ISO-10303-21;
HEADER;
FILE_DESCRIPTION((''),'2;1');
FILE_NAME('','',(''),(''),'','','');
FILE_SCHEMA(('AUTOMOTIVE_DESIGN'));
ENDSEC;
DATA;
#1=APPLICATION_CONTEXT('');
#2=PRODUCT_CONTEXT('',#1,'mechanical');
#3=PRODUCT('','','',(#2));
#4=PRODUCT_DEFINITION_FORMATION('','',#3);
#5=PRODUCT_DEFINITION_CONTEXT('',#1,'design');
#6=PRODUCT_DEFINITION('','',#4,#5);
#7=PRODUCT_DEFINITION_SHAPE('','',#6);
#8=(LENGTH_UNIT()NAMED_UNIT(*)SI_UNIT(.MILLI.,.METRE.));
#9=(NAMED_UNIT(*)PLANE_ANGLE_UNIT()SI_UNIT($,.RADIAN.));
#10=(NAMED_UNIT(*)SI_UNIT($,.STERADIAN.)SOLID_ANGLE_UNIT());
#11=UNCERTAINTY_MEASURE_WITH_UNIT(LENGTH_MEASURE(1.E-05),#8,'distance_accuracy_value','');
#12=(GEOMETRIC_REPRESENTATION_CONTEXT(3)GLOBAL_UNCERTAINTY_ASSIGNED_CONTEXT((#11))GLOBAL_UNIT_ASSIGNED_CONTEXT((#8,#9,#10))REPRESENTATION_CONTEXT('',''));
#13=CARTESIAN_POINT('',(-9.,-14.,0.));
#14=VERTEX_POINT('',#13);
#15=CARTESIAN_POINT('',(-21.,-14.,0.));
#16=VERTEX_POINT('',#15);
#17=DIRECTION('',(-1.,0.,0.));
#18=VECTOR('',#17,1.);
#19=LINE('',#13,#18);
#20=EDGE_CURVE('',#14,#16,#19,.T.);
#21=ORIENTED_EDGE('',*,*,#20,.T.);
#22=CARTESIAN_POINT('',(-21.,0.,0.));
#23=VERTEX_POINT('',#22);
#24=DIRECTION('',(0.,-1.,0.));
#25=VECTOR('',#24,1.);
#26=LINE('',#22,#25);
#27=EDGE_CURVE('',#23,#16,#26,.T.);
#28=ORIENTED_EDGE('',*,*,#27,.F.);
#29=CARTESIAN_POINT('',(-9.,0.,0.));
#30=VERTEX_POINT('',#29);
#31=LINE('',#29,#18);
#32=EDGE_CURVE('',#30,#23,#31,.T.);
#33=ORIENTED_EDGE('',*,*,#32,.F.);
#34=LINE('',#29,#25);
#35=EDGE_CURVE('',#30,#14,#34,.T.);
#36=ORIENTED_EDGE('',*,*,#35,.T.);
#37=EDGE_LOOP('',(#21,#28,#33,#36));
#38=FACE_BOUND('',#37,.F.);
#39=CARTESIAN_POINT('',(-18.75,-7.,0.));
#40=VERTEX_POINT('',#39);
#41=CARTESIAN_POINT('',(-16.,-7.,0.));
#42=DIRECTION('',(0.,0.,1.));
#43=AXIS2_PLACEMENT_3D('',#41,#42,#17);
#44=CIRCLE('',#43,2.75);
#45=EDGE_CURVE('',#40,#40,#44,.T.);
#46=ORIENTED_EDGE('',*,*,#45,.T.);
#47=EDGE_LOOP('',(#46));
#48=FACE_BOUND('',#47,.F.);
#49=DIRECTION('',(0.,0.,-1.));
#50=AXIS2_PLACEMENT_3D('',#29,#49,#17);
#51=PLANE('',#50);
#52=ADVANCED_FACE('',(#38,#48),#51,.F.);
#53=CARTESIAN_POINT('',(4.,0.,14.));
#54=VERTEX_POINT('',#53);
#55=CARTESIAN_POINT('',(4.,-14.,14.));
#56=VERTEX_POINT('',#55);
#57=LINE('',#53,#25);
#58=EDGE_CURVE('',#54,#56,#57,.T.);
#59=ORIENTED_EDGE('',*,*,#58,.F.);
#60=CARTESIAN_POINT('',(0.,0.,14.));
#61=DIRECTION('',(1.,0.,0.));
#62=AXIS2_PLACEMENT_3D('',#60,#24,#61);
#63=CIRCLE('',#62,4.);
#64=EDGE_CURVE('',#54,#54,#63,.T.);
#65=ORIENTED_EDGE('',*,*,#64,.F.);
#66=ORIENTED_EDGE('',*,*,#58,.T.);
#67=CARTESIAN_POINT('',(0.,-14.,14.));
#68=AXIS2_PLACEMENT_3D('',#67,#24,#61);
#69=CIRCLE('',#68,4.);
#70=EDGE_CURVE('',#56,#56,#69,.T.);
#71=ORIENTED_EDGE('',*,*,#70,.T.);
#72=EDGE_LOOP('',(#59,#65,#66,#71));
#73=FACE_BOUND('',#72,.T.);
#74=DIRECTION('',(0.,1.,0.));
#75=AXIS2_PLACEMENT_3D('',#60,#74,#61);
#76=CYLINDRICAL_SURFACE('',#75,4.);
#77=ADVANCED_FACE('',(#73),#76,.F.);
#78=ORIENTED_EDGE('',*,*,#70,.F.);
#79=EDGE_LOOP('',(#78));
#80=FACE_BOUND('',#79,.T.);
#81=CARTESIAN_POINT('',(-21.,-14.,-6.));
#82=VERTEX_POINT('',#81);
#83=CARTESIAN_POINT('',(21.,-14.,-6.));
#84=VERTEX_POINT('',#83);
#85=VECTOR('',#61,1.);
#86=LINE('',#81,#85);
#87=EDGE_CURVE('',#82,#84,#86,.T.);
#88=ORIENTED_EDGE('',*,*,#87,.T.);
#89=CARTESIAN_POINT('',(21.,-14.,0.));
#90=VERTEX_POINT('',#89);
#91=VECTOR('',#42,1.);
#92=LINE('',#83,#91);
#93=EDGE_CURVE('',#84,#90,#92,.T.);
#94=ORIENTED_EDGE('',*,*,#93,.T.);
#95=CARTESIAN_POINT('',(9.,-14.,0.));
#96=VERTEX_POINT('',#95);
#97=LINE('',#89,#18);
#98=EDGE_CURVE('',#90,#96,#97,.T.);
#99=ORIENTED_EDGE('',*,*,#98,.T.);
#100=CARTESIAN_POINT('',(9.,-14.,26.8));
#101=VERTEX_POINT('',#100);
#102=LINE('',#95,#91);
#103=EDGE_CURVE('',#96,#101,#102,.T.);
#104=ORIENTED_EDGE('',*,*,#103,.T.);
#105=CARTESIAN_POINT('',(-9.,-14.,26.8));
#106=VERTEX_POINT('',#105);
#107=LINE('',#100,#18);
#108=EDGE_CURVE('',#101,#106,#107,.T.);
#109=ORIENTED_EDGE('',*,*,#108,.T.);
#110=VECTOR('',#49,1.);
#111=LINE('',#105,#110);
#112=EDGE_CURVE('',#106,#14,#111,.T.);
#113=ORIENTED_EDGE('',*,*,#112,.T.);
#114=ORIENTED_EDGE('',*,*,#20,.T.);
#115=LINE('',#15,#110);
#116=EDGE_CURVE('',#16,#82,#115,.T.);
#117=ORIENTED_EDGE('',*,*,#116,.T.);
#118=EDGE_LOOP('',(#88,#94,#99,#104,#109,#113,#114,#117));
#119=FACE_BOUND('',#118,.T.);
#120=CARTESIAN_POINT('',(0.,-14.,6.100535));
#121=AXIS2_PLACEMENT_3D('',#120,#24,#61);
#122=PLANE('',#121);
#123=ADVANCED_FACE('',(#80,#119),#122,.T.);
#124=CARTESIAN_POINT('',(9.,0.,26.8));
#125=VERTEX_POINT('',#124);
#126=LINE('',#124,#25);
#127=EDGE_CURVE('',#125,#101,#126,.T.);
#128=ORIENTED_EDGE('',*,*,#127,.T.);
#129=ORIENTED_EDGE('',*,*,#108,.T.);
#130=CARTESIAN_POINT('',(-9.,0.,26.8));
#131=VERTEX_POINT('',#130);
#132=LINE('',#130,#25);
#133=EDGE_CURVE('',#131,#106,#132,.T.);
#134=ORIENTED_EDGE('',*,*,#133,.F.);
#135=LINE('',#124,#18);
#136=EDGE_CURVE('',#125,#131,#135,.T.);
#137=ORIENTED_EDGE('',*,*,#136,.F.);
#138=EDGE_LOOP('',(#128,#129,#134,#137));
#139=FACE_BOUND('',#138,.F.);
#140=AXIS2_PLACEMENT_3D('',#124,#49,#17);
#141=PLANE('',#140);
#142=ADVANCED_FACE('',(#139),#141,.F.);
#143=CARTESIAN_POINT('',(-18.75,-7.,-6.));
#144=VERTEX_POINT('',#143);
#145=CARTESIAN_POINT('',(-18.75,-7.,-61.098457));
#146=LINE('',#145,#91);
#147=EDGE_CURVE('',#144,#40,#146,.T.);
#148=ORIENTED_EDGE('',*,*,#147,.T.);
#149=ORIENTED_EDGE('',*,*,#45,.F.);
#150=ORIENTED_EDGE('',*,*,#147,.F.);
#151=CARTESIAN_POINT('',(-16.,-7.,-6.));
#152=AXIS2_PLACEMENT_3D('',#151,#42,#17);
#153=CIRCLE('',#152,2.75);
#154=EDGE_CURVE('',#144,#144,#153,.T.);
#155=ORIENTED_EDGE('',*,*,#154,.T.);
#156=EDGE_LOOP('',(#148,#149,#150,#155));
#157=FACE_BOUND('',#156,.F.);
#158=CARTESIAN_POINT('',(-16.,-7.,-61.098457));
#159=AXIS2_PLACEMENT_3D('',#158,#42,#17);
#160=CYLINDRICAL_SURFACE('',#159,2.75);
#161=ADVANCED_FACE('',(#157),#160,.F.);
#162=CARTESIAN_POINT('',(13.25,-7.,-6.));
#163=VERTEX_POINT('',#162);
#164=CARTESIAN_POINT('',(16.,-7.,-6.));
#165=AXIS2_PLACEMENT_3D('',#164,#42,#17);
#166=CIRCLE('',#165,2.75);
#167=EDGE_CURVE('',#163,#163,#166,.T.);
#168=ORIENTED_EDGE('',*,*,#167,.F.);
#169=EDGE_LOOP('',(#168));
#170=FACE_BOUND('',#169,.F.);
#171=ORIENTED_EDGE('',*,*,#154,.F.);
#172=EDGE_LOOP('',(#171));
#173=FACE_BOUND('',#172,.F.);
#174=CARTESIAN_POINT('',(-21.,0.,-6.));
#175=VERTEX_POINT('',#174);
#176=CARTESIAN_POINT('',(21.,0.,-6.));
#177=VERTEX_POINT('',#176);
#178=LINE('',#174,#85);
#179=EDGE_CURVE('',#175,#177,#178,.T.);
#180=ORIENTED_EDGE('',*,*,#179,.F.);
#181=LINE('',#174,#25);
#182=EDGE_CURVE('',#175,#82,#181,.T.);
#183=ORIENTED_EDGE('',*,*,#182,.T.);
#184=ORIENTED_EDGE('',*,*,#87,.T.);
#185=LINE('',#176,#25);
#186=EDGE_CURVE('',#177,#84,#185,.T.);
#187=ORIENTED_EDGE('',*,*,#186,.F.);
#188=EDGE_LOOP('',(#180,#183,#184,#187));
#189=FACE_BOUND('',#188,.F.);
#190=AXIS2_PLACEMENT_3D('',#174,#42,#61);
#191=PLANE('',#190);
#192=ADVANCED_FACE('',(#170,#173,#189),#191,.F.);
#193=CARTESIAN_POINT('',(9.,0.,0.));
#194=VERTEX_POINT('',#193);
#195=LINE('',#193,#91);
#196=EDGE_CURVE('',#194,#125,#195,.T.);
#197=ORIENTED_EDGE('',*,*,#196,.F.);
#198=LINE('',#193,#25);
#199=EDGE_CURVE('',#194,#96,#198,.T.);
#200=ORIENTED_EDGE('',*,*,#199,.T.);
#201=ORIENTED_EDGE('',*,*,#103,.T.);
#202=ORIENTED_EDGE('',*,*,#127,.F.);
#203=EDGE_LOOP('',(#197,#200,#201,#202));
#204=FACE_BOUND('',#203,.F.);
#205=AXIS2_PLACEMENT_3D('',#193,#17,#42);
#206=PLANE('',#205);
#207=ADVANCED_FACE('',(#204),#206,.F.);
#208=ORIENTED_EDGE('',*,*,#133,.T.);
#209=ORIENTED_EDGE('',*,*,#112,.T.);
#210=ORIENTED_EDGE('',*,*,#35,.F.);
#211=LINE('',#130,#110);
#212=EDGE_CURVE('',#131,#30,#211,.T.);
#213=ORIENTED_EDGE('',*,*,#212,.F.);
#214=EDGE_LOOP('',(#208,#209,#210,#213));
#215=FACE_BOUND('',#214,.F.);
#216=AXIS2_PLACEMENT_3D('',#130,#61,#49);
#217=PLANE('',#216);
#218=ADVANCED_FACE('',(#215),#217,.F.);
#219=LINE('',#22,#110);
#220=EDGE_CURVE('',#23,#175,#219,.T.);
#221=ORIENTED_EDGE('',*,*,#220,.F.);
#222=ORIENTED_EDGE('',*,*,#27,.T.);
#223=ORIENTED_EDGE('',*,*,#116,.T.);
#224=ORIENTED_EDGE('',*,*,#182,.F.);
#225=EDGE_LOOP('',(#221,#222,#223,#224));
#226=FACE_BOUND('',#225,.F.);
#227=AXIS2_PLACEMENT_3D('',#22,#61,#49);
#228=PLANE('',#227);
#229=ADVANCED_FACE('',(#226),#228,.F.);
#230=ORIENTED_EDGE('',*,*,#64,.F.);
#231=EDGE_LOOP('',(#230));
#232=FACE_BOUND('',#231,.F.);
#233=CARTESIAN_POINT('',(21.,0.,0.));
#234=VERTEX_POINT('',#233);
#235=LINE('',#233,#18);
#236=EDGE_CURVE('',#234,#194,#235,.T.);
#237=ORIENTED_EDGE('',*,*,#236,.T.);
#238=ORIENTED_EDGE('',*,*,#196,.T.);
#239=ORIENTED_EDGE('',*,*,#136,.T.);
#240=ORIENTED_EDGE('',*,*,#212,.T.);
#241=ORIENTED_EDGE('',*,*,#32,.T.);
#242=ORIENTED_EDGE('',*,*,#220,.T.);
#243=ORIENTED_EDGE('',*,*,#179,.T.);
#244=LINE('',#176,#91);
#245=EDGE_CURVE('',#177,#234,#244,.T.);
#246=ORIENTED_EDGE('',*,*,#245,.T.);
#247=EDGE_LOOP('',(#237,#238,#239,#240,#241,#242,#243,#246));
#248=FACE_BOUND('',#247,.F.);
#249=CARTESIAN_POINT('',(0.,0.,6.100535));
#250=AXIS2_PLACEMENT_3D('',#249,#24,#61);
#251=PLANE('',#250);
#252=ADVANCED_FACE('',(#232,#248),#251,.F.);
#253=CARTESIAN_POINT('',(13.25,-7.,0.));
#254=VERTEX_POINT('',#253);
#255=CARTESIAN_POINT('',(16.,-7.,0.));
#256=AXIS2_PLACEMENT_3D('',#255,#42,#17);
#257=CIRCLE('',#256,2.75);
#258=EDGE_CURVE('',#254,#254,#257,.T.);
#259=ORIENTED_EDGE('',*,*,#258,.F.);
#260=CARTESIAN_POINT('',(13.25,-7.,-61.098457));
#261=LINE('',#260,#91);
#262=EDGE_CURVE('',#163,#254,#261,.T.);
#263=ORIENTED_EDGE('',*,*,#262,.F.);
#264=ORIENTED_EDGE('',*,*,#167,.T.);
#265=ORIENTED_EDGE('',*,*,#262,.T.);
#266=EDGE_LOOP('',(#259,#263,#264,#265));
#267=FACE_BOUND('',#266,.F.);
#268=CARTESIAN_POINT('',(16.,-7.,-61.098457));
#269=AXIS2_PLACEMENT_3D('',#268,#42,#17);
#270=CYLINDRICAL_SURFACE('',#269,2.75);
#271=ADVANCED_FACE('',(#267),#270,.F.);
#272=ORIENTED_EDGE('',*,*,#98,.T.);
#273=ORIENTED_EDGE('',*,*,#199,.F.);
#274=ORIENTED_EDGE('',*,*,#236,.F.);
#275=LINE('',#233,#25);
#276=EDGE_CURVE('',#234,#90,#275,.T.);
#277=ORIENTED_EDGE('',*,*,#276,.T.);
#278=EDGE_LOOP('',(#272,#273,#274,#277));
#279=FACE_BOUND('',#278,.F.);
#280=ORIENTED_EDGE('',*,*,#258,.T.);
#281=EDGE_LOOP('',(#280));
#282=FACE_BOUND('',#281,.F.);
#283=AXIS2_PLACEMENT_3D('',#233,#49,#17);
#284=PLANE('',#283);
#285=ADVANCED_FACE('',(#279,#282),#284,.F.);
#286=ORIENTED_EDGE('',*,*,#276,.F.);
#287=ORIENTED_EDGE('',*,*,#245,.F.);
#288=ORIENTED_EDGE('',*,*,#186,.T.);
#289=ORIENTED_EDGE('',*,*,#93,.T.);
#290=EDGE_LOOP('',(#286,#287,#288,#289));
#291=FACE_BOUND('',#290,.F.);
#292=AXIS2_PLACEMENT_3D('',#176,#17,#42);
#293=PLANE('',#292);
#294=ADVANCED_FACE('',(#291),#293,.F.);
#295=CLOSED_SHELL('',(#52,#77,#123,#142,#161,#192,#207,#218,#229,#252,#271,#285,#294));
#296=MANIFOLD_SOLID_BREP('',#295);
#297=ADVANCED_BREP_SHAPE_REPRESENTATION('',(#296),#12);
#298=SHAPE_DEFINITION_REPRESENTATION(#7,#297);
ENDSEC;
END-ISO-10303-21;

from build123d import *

# Parameters (mm, degrees)
F0_R     = 4
F1_DEPTH = 14
F3_D     = 5.5


with BuildPart() as f1:
    # F0 (on Front) → F1 (new body)
    with BuildSketch(Plane.XZ):
        Polygon((-21, -6), (0, -6), (21, -6), (21, 0), (9, 0), (9, 26.8), (0, 26.8), (-9, 26.8), (-9, 0), (-21, 0), align=None)
        with Locations((0, 14)):
            Circle(F0_R, mode=Mode.SUBTRACT)
    extrude(amount=F1_DEPTH)

    # F3 (through all)
    with Locations(Plane(origin=(0, 0, -6), x_dir=(1, 0, 0), z_dir=(0, 0, -1))):
        with Locations((-16, 7), (16, 7)):
            Hole(F3_D / 2)


solid = f1.part
